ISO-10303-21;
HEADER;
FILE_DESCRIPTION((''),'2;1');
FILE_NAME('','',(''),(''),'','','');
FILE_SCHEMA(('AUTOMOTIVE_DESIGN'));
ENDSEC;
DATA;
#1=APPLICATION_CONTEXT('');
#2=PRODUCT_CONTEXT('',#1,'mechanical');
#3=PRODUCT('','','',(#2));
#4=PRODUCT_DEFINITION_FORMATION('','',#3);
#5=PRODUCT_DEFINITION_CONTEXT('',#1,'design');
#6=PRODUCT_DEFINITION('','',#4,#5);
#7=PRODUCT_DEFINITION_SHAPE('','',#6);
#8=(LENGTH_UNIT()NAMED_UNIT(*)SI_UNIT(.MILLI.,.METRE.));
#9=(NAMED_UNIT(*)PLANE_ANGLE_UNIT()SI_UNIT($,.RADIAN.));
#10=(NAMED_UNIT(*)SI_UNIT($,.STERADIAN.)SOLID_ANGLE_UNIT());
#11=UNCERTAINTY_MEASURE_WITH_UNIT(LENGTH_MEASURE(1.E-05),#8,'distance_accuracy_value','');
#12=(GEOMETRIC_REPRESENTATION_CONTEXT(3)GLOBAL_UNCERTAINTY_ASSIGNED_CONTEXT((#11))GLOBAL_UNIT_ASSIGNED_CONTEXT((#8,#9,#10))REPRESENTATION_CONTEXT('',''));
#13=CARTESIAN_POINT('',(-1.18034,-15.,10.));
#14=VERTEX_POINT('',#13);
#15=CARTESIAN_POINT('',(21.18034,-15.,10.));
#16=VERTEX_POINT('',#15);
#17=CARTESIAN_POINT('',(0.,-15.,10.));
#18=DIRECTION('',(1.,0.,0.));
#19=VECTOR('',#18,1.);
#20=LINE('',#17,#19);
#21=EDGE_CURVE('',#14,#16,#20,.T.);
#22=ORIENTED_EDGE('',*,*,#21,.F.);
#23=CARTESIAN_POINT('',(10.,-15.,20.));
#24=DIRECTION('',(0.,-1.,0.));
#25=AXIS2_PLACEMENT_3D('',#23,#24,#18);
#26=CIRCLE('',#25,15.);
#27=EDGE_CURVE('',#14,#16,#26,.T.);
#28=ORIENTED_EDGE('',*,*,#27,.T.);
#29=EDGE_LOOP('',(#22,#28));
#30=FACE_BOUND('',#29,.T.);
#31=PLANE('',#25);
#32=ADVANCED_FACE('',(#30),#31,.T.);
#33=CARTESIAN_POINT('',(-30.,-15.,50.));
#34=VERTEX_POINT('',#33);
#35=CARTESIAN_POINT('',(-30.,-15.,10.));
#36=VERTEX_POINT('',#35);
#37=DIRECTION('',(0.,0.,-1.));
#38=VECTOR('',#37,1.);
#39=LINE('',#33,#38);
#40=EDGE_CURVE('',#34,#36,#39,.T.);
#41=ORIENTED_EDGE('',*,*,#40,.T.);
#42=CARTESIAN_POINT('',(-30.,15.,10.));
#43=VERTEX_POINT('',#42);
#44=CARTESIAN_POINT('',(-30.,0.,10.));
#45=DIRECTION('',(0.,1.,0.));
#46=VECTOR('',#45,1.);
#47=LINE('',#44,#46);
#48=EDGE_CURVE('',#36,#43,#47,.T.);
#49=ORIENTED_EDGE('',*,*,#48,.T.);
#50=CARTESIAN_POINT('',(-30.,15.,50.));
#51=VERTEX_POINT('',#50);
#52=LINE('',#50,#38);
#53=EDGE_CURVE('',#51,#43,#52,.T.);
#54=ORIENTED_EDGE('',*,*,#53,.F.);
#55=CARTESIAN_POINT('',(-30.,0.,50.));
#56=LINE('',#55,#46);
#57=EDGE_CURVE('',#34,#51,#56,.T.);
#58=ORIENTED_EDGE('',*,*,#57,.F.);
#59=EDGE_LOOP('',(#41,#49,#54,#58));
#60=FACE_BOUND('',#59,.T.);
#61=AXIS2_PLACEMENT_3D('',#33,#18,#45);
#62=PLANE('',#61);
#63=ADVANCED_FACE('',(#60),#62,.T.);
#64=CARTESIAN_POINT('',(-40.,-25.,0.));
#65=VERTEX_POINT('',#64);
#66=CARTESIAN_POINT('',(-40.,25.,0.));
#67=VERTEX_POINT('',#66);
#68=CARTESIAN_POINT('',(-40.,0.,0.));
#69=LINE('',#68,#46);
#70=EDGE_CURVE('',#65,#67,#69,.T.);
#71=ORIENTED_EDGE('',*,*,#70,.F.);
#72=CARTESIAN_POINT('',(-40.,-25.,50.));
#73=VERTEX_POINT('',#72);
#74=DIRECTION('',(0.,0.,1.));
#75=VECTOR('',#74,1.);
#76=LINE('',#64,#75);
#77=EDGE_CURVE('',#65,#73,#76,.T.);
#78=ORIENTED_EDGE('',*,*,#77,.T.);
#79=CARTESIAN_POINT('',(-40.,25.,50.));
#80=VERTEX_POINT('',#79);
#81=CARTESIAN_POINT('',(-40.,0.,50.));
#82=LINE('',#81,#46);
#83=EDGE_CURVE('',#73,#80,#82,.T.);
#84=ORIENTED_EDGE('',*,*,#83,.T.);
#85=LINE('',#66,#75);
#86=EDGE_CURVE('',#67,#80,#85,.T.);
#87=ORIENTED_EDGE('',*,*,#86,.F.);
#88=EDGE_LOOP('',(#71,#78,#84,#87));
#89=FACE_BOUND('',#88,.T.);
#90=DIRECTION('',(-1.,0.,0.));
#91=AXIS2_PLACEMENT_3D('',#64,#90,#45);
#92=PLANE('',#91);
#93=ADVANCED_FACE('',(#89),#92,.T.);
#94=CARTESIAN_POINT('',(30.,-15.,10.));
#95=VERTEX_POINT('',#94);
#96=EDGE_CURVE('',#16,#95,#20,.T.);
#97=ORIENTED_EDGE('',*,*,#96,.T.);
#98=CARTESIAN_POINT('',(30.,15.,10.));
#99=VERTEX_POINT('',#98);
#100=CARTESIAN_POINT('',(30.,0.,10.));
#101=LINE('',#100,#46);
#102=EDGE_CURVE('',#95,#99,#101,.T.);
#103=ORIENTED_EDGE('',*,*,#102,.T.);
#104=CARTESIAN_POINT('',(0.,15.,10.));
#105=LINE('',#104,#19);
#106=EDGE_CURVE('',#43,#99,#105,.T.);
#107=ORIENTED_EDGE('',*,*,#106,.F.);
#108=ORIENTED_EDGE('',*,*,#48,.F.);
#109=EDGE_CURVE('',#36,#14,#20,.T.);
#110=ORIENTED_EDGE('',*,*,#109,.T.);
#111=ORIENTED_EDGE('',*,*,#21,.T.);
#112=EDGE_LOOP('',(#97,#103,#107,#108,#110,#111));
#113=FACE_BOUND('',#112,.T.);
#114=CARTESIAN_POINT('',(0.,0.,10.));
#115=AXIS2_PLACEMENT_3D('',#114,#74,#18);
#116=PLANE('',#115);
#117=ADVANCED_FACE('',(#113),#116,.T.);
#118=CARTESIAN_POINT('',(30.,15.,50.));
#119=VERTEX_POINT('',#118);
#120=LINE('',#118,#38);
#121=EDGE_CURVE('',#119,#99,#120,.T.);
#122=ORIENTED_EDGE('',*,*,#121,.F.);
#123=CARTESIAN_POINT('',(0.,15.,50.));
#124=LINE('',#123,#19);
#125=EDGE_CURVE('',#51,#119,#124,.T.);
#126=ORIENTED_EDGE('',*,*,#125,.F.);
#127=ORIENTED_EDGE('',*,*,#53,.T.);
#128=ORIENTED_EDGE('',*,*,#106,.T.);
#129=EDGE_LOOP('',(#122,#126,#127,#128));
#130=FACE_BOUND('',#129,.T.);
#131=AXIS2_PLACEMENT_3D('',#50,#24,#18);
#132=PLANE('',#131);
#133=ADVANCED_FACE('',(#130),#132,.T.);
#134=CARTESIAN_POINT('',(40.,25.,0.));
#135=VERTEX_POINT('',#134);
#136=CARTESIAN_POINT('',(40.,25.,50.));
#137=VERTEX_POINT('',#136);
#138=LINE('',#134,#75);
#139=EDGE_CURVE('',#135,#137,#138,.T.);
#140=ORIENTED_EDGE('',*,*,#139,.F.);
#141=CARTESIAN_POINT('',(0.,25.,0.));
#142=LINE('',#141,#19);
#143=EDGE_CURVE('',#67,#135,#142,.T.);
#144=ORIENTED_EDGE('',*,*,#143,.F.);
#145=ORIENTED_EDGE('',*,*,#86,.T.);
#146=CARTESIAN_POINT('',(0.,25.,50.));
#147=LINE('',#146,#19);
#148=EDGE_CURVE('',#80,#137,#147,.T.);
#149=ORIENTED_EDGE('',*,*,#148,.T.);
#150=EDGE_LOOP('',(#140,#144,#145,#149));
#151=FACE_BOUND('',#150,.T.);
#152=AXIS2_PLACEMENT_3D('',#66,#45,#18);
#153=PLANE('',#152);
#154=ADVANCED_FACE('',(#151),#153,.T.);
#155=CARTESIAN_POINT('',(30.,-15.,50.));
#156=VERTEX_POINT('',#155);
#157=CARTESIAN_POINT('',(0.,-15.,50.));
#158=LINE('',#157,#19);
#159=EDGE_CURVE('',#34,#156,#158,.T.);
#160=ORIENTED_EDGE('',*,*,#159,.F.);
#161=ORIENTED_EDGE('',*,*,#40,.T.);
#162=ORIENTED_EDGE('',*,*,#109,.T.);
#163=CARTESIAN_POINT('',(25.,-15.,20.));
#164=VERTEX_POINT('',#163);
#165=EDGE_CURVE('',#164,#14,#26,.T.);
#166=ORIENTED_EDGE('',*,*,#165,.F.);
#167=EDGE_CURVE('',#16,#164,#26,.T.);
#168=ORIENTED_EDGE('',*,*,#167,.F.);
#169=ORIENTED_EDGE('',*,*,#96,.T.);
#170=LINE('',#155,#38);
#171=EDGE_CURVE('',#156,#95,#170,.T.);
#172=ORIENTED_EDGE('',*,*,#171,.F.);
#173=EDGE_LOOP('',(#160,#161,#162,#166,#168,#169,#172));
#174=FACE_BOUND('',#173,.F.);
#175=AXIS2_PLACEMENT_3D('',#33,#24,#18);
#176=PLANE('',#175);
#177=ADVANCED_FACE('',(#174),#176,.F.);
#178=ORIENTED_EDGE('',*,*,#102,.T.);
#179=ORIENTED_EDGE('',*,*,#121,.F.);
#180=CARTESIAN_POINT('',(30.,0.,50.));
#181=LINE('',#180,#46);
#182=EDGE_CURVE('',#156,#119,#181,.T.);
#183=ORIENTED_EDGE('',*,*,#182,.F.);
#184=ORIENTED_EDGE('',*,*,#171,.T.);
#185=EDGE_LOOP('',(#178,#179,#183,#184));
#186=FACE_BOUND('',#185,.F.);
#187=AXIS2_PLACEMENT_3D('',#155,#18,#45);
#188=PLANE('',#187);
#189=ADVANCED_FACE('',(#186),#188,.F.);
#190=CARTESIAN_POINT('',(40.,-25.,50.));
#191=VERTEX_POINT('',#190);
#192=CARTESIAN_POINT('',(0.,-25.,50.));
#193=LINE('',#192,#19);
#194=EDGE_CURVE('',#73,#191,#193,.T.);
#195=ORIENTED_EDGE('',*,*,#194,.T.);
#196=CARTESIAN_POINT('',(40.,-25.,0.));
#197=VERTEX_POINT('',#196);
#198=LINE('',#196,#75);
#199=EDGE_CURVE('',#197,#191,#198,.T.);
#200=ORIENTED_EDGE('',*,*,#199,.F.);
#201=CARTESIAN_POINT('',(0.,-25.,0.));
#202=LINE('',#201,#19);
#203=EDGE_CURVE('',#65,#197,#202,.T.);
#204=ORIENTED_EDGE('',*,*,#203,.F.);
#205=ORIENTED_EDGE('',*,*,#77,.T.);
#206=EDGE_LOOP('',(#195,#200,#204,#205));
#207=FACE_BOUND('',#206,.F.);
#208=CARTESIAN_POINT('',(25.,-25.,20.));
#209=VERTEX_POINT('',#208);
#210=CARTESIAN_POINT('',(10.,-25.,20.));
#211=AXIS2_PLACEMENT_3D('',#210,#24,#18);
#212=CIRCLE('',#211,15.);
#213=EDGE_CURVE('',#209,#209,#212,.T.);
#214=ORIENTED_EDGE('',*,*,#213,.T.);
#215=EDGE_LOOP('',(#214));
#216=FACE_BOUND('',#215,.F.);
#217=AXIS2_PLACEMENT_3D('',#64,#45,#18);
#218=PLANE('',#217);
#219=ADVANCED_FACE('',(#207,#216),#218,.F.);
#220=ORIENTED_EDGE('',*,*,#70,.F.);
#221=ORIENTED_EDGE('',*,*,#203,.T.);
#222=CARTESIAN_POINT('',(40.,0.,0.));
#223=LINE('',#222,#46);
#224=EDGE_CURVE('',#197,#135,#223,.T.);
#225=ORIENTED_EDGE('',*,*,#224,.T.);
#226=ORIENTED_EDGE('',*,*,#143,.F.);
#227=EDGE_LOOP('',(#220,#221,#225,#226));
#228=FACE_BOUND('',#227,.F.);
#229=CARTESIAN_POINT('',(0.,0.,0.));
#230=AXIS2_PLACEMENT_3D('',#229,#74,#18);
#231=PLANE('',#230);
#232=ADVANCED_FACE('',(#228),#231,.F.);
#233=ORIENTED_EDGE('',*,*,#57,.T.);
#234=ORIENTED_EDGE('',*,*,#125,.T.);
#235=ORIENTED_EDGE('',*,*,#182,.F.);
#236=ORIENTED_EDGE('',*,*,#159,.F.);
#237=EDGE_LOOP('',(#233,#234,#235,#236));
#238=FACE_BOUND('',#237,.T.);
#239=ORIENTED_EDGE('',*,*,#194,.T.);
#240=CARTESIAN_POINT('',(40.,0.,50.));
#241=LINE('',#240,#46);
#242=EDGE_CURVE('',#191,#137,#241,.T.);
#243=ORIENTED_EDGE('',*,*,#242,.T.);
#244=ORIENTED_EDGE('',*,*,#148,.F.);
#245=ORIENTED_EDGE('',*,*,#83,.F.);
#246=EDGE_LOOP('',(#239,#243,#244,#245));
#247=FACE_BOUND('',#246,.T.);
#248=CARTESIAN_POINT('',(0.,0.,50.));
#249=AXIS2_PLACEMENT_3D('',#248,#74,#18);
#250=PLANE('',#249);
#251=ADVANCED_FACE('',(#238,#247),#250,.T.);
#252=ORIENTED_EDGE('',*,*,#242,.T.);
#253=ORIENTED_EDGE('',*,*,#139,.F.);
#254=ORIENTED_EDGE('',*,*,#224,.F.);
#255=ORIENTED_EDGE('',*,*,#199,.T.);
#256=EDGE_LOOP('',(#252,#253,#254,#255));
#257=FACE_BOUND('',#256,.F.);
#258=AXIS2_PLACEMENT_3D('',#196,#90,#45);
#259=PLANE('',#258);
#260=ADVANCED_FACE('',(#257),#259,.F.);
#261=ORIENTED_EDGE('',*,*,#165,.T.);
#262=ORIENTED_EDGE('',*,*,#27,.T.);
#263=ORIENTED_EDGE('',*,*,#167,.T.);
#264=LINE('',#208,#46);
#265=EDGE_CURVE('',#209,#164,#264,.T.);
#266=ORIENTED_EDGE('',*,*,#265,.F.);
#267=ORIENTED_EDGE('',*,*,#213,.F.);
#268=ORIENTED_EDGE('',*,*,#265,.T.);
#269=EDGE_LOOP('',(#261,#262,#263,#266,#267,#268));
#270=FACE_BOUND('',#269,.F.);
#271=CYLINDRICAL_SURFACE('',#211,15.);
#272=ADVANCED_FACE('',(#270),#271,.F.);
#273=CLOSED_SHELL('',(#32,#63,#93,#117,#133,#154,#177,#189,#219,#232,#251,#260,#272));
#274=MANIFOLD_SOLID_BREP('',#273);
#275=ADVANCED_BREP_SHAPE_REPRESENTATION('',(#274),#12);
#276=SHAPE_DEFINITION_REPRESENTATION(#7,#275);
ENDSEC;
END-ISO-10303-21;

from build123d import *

# Parameters (mm, degrees)
F0_W     = 80
F0_H     = 50
F1_DEPTH = 50
F2_W     = 60
F2_H     = 30
F3_DEPTH = 40
F4_R     = 15
F5_DEPTH = 10


with BuildPart() as f1:
    # F0 (on Top) → F1 (new body)
    with BuildSketch(Plane.XY):
        Rectangle(F0_W, F0_H)
    extrude(amount=F1_DEPTH)

    # F2 (on face) → F3 (cut)
    with BuildSketch(Plane.XY.offset(50)):
        Rectangle(F2_W, F2_H)
    extrude(amount=-F3_DEPTH, mode=Mode.SUBTRACT)

    # F4 (on face) → F5 (cut, through all)
    with BuildSketch(Plane.XZ.offset(25)):
        with Locations((10, 20)):
            Circle(F4_R)
    extrude(amount=-F5_DEPTH, mode=Mode.SUBTRACT)


solid = f1.part
